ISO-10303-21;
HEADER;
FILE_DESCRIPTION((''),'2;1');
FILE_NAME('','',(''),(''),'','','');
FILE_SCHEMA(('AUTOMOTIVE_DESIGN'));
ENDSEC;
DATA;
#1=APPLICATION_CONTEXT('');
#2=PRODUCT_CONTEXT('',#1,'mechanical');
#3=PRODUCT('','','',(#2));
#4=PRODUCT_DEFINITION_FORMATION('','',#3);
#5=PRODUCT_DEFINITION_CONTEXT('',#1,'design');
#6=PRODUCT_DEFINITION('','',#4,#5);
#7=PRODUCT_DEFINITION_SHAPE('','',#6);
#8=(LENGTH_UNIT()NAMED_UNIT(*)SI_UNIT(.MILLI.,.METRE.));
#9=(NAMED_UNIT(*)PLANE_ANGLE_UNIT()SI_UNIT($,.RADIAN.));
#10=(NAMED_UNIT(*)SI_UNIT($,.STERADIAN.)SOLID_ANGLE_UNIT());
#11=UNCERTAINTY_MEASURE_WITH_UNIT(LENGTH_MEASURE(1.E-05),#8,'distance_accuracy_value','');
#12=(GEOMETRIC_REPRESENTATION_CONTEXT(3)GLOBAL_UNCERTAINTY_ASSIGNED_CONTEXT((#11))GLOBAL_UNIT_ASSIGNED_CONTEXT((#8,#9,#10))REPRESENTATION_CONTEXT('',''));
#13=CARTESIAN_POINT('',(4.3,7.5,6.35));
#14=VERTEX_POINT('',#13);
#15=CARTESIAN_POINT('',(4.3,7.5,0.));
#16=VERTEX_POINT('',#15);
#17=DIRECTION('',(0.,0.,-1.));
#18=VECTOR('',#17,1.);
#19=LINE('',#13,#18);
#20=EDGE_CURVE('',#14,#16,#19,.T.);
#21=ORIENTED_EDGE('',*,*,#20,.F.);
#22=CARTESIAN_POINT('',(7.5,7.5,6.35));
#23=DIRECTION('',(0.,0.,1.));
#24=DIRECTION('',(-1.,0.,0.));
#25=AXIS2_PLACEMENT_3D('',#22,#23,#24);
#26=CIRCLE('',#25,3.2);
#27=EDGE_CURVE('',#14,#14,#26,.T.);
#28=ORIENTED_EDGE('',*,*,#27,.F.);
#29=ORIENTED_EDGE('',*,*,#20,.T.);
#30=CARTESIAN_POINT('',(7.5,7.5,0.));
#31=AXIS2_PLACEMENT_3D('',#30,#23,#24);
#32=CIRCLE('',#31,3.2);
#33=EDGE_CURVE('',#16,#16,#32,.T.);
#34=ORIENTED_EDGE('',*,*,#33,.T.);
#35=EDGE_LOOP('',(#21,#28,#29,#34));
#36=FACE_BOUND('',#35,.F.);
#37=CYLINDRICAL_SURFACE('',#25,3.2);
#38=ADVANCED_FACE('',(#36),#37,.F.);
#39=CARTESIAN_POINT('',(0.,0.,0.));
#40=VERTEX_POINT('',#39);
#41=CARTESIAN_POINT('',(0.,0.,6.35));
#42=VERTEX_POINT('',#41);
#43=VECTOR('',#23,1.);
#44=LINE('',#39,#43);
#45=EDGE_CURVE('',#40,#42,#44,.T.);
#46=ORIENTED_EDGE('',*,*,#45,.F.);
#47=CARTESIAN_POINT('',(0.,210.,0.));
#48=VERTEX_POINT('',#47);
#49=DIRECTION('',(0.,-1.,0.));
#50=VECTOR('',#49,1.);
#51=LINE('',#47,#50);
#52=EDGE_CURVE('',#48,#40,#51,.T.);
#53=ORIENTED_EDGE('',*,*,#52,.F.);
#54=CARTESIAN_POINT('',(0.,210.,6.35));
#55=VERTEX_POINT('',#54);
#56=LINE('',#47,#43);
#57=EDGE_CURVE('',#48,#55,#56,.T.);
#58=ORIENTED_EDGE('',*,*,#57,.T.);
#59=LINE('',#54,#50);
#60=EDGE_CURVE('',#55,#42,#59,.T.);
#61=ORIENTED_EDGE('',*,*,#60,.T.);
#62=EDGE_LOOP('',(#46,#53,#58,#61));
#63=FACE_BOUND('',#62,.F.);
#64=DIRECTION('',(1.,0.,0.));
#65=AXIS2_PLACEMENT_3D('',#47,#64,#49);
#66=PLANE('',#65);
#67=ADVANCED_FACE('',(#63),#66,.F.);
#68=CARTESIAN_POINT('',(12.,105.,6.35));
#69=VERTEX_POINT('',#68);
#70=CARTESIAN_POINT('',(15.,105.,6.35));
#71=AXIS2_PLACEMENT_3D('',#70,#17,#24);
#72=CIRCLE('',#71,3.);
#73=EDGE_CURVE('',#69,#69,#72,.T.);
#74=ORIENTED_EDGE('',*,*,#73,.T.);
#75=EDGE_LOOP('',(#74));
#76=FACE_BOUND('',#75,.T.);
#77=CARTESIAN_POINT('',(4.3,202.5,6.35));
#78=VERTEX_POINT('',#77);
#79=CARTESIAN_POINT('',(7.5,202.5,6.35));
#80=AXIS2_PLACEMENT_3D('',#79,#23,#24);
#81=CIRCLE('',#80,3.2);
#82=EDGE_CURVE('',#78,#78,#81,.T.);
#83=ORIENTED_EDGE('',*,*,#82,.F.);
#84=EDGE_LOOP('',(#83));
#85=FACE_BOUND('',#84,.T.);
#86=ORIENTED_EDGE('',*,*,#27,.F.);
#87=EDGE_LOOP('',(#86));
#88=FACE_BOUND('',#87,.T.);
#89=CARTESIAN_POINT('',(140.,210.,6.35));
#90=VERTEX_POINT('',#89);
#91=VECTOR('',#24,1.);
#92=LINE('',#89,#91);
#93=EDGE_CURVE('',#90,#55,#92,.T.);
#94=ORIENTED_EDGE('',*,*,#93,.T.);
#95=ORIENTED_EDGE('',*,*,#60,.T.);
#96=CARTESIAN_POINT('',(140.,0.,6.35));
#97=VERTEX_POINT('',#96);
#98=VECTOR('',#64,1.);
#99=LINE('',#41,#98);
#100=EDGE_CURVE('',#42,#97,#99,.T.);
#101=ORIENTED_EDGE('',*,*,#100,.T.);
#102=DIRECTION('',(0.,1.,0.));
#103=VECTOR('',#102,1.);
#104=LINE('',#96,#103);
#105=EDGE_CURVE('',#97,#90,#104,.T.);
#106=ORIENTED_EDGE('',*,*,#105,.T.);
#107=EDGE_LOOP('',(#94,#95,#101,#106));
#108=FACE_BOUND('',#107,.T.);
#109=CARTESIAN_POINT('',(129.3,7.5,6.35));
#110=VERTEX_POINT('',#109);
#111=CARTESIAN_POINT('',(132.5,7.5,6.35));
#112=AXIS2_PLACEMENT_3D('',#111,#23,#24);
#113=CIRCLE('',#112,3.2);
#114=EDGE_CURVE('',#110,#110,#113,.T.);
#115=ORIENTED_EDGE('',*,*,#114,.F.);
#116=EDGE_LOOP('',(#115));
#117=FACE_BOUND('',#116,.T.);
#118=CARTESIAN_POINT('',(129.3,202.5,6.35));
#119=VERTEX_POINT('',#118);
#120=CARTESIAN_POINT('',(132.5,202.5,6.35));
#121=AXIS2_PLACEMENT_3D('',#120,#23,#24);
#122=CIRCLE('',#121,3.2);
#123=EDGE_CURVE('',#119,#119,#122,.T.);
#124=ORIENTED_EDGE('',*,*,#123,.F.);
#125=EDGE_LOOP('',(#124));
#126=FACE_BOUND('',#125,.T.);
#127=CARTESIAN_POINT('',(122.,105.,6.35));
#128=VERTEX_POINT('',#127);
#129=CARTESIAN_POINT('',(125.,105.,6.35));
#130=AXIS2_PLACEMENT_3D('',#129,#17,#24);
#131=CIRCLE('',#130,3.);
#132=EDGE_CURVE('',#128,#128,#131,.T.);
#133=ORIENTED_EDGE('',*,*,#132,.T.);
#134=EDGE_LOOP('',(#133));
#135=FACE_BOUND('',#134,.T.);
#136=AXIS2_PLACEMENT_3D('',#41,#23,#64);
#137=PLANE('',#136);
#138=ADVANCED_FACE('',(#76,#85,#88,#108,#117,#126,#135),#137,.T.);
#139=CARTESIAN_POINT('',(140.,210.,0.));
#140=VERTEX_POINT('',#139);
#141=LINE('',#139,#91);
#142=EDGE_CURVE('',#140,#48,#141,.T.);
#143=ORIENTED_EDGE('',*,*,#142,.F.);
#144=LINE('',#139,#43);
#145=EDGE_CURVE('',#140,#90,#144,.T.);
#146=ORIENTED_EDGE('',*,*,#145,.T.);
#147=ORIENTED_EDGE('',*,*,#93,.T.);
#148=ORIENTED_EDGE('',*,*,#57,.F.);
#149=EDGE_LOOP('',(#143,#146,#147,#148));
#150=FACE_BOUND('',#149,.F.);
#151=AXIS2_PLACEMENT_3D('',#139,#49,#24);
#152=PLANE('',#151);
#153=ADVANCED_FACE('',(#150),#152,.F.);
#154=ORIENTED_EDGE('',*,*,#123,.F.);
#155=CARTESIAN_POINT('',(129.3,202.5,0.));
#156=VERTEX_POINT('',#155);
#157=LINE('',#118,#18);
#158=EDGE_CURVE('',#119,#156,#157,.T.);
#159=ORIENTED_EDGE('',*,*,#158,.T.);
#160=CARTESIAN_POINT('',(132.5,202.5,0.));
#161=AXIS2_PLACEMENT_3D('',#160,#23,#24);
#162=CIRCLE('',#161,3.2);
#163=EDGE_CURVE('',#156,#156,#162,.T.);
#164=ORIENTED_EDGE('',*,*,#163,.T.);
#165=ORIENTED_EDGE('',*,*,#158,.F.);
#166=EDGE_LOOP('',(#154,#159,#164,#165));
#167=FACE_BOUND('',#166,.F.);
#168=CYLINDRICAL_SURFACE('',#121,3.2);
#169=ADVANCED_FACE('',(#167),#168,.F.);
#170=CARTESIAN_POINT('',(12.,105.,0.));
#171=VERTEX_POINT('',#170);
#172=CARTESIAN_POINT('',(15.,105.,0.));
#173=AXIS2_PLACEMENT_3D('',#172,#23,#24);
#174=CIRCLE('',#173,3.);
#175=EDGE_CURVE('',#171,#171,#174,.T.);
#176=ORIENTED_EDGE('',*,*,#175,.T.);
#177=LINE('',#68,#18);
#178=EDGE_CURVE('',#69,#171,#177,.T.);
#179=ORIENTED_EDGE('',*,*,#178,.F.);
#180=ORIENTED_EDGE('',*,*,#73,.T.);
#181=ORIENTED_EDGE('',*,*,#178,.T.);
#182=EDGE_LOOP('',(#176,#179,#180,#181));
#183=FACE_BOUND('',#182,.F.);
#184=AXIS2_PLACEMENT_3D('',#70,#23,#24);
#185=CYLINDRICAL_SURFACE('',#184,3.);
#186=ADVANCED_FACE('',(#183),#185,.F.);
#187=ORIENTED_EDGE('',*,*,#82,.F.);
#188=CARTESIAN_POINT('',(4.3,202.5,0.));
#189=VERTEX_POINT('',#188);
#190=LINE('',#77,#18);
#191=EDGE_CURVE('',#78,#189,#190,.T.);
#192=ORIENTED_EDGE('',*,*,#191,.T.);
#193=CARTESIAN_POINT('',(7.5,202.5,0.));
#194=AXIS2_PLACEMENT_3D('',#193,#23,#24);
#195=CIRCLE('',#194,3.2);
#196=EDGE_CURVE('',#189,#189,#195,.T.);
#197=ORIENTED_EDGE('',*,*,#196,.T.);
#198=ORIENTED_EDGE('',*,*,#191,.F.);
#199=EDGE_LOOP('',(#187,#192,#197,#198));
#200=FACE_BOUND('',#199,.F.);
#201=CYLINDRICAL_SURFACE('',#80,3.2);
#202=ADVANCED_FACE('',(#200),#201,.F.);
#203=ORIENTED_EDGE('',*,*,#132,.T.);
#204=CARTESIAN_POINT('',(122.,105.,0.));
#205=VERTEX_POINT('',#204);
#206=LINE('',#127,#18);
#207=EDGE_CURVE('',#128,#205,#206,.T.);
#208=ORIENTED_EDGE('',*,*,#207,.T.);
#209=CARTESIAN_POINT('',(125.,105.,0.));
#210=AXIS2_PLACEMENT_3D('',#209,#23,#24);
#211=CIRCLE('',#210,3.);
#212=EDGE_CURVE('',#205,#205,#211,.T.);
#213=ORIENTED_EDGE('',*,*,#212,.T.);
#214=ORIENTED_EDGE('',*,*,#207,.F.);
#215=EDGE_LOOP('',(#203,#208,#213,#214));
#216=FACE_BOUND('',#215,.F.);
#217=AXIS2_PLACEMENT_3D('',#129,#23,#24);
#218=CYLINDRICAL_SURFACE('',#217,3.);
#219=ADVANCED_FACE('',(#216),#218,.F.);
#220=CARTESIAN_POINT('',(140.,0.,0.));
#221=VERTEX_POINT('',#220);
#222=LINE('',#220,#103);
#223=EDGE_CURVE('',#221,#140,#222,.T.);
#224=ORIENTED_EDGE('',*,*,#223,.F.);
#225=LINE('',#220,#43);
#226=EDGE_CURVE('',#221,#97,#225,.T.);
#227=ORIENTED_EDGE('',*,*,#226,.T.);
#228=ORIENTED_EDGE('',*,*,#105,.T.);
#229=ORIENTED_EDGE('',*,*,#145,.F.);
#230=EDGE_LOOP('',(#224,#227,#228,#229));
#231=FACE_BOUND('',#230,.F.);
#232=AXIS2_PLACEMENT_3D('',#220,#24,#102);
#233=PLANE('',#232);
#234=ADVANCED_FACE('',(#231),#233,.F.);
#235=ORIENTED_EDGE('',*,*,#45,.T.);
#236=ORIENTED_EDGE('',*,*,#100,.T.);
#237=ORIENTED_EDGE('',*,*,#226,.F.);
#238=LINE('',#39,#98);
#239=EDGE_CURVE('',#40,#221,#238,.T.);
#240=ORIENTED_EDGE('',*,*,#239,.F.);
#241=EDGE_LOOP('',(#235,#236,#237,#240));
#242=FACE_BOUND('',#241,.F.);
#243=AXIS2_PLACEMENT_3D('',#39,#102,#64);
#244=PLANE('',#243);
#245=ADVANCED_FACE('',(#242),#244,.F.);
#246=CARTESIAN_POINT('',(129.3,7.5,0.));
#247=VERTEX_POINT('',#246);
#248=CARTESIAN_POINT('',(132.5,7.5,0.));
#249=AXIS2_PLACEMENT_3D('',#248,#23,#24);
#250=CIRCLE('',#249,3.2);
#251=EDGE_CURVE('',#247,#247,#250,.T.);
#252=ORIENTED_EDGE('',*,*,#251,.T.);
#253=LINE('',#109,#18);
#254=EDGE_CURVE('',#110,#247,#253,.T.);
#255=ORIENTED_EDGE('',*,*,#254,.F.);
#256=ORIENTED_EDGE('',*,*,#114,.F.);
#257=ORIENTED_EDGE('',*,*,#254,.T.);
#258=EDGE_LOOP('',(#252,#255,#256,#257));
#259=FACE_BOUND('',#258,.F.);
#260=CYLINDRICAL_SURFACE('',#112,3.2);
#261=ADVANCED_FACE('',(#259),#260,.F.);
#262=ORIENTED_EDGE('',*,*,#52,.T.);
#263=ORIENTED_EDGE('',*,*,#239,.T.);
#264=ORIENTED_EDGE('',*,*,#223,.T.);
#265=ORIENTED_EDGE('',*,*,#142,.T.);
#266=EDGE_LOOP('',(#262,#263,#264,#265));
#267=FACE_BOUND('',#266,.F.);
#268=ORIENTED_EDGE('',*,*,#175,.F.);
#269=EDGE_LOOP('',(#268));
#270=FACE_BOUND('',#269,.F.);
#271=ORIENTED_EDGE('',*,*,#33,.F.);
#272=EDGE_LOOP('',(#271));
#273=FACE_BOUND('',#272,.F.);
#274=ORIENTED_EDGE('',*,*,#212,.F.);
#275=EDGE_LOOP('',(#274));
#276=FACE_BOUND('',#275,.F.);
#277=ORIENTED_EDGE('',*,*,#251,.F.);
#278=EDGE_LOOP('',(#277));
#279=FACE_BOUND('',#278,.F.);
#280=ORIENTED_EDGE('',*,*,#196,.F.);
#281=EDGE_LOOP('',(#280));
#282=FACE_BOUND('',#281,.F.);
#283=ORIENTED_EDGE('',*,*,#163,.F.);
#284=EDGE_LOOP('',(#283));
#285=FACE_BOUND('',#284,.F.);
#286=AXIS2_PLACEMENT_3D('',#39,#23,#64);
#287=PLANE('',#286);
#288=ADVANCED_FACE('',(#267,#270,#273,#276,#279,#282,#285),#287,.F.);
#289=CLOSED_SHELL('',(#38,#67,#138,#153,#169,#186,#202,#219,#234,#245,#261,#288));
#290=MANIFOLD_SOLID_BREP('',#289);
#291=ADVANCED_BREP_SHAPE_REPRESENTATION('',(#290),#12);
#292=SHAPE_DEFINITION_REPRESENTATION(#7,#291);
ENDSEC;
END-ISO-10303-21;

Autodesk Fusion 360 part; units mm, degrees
sketch "Sketch1" plane through (0, 0, 0) normal (0, 0, 1) x (1, 0, 0)
  line L0 (0, 0) -> (140, 0)
  line L1 (140, 0) -> (140, 210)
  line L2 (140, 210) -> (0, 210)
  line L3 (0, 210) -> (0, 0)
  dimension "d1" = 140
  dimension "d2" = 210
extrude "Extrude1" add sketch "Sketch1" along normal blind 6.35
sketch "Sketch2" plane through (0, 0, 6.35) normal (0, 0, 1) x (-1, 0, 0)
  line L0 (0, -210) -> (0, 0)
  line L1 (0, 0) -> (-140, 0)
  line L2 (-140, 0) -> (-140, -210)
  line L3 (-140, -210) -> (0, -210)
  circle A0 centre (-132.5, -7.5) radius 3.2
  line L4 (-140, -105) -> (0, -105)
  line L5 (-70, 0) -> (-70, -210)
  circle A1 centre (-7.5, -7.5) radius 3.2
  circle A2 centre (-132.5, -202.5) radius 3.2
  circle A3 centre (-7.5, -202.5) radius 3.2
  dimension "d5" = 6.4
  dimension "d6" = 7.5
  dimension "d7" = 7.5
extrude "Extrude2" cut sketch "Sketch2" against normal blind 10 contours A0 | A1 | A2 | A3
sketch "Sketch3" plane through (0, 0, 6.35) normal (0, 0, 1) x (-1, 0, 0)
  circle A0 centre (-7.5, -7.5) radius 3.2
  circle A1 centre (-7.5, -202.5) radius 3.2
  circle A2 centre (-132.5, -7.5) radius 3.2
  circle A3 centre (-132.5, -202.5) radius 3.2
  line L0 (0, -210) -> (0, 0)
  line L1 (0, 0) -> (-140, 0)
  line L2 (-140, 0) -> (-140, -210)
  line L3 (-140, -210) -> (0, -210)
  line L4 (0, -105) -> (-140, -105)
  circle A4 centre (-15, -105) radius 3
  circle A5 centre (-125, -105) radius 3
  dimension "d10" = 6
  dimension "d11" = 6
  dimension "d12" = 110
  dimension "d13" = 15
extrude "Extrude3" cut sketch "Sketch3" against normal blind 10 contours L4 A4 | L4 A4 | L4 A5 | L4 A5
